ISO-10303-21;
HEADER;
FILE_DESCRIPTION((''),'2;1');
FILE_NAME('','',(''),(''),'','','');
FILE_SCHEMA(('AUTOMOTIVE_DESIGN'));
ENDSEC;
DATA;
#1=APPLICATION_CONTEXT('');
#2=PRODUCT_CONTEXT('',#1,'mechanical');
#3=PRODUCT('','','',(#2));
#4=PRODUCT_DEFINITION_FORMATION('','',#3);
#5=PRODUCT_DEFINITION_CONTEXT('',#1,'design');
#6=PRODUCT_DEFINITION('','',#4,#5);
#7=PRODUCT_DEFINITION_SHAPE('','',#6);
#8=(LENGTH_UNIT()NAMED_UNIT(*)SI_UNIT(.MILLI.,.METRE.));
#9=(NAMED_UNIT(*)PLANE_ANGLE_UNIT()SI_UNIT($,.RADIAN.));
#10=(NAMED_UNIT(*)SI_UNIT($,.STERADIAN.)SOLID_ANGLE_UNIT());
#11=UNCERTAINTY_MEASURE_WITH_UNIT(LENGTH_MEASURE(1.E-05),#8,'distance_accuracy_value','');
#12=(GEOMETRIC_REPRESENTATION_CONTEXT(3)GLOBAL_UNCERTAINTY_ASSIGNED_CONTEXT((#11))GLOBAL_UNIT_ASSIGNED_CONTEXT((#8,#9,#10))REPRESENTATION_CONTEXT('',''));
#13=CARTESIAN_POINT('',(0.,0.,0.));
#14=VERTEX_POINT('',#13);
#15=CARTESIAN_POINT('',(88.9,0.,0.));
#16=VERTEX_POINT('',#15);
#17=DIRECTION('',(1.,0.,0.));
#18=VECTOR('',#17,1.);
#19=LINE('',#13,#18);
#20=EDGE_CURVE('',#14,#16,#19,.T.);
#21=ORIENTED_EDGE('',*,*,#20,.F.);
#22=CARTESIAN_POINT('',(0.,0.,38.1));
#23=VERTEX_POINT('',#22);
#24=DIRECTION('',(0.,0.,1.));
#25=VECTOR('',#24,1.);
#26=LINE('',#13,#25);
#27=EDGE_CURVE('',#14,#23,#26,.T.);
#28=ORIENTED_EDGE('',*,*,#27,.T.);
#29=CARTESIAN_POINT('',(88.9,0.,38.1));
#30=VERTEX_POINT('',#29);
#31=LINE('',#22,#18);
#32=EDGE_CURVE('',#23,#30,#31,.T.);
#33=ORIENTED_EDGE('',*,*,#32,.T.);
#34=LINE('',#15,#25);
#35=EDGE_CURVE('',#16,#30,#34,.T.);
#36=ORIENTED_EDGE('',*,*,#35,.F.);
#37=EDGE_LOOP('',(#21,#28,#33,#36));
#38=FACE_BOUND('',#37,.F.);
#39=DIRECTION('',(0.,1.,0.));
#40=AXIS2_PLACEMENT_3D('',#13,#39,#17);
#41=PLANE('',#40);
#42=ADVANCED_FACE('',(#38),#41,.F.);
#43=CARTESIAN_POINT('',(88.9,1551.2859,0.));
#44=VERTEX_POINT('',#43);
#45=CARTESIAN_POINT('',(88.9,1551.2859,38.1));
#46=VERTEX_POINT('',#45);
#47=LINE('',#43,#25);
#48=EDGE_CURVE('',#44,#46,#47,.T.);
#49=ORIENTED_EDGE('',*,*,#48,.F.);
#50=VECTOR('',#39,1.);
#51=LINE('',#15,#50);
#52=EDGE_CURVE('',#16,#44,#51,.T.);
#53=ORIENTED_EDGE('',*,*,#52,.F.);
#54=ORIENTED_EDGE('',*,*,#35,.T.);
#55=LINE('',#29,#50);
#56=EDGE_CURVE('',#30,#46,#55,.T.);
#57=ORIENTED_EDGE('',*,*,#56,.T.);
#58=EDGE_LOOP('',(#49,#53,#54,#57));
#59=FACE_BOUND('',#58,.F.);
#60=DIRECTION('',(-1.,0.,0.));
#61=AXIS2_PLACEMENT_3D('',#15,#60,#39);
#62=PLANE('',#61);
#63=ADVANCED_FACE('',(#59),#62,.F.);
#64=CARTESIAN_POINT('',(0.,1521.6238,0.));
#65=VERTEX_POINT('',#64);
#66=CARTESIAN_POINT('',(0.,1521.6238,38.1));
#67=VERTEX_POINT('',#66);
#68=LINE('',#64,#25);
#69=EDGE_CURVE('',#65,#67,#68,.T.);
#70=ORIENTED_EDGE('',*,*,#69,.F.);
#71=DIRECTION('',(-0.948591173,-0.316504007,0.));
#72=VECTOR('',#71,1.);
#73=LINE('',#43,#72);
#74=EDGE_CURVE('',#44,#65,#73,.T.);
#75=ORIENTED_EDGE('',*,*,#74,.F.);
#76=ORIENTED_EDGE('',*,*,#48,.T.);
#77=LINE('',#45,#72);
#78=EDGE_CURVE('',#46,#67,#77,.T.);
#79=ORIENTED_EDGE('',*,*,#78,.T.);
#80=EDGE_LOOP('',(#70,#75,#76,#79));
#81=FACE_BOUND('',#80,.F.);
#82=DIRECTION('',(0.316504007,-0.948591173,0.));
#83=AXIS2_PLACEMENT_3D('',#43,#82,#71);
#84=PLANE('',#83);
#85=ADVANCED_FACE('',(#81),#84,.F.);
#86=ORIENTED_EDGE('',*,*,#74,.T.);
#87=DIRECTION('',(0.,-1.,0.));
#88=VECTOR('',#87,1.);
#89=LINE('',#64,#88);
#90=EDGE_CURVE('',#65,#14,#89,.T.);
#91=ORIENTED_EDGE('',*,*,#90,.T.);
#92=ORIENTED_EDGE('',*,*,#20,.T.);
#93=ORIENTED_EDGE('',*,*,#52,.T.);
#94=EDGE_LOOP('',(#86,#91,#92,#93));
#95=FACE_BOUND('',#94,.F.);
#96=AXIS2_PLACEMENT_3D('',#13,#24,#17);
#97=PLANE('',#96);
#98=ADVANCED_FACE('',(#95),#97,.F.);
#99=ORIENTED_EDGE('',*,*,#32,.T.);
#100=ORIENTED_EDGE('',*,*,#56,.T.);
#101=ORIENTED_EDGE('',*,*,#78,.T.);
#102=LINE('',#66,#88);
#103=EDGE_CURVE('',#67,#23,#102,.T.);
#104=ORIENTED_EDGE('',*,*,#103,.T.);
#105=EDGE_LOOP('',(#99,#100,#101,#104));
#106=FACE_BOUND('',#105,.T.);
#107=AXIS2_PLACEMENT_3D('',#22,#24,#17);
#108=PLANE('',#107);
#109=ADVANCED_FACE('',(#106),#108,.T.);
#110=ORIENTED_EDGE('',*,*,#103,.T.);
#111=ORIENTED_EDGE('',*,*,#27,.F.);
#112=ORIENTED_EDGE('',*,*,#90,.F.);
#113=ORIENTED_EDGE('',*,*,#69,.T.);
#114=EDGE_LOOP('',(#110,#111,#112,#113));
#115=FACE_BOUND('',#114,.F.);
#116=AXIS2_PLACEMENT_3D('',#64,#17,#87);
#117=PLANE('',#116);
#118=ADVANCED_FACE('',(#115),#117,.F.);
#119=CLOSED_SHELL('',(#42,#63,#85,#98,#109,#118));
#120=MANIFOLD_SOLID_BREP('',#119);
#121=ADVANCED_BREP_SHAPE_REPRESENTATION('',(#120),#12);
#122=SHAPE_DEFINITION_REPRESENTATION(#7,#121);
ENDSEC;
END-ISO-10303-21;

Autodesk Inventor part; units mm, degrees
ref_plane "YZ Plane" through (0, 0, 0) normal (1, 0, 0) x (0, 1, 0)
ref_plane "XZ Plane" through (0, 0, 0) normal (0, 1, 0) x (-1, 0, 0)
ref_plane "XY Plane" through (0, 0, 0) normal (0, 0, 1) x (1, 0, 0)
sketch "Sketch1" plane through (0, 0, 0) normal (0, 0, 1) x (1, 0, 0)
  line L0 (0, 0) -> (88.9, 0)
  line L1 (88.9, 0) -> (88.9, 1551.2859)
  line L2 (0, 1521.6238) -> (0, 0)
  line L3 (88.9, 1551.2859) -> (0, 1521.6238)
  line L4 (88.9, 1551.2859) -> (-3175, 1551.2859)
  line L5 (-3175, 1551.2859) -> (-3175, 462.2609)
  line L6 (-3175, 462.2609) -> (88.9, 1551.2859)
  dimension "d3" = 88.9
  dimension "d6" = 1551.2859
  dimension "d9" = 3263.9
  dimension "d10" = 1089.025
extrude "Extrusion1" add sketch "Sketch1" along normal blind 38.1 contours L2 L3 L1 L0
properties part number "Stud_With_Height_42.5_Inches" material "Wood (Birch)"
